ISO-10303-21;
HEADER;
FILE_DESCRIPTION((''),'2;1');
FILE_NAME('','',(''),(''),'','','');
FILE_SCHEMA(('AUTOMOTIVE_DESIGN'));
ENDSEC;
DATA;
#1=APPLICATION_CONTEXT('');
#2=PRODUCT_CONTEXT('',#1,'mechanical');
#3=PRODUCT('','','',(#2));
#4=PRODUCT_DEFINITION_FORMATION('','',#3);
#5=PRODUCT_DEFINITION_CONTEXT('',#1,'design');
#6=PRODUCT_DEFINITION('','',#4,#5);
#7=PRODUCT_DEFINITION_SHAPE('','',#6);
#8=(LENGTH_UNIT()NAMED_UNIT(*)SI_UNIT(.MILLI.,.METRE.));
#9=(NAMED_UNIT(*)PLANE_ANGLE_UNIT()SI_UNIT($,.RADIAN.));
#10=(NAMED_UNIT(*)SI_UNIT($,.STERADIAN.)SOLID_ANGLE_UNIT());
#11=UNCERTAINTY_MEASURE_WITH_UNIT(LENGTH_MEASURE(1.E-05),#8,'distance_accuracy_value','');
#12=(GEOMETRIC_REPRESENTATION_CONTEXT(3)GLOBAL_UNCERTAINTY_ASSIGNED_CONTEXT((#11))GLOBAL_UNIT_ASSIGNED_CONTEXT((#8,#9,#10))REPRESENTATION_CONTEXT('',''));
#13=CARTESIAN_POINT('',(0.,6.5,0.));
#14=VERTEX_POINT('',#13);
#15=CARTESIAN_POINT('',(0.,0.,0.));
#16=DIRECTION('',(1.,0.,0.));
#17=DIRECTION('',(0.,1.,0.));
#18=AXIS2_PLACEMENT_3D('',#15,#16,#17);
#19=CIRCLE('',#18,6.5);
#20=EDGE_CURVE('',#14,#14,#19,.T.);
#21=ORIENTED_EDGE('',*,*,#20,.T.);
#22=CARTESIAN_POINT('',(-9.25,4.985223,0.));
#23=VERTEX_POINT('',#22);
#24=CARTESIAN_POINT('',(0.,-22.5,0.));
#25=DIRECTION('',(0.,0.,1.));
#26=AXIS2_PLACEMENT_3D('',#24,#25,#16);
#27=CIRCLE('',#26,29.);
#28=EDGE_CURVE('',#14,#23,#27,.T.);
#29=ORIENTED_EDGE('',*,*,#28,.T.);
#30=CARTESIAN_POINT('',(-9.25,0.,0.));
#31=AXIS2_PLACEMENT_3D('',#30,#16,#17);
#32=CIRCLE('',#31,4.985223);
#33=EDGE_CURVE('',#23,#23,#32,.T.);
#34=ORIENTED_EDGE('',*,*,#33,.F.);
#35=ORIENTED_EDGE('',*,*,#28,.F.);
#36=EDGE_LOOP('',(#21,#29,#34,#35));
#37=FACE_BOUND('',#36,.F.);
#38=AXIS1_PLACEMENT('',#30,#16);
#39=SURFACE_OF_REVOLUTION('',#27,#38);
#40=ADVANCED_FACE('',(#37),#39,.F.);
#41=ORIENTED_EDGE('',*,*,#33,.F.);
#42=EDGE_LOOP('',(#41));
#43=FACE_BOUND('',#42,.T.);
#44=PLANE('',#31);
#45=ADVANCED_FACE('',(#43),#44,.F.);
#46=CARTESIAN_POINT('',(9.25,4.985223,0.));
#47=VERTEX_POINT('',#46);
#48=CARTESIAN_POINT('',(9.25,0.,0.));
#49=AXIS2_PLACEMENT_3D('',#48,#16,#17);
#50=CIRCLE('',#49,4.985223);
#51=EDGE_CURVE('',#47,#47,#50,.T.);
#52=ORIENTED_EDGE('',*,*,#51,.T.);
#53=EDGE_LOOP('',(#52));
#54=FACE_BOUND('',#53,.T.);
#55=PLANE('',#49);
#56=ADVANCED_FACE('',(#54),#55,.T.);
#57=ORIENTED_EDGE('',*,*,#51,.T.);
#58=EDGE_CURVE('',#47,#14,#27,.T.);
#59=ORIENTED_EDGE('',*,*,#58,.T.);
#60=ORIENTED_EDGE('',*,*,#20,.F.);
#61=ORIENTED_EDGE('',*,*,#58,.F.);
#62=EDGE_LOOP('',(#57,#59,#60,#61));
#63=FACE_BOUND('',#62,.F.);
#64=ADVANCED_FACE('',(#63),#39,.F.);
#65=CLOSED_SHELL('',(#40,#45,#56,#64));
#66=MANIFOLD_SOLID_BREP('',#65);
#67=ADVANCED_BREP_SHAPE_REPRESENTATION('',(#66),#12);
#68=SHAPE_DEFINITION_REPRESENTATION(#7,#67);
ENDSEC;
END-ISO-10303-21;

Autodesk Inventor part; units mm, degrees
ref_plane "YZ Plane" through (0, 0, 0) normal (1, 0, 0) x (0, 1, 0)
ref_plane "XZ Plane" through (0, 0, 0) normal (0, 1, 0) x (-1, 0, 0)
ref_plane "XY Plane" through (0, 0, 0) normal (0, 0, 1) x (1, 0, 0)
sketch "スケッチ1" plane through (0, 0, 0) normal (0, 0, 1) x (1, 0, 0)
  circle A0 centre (0, -22.5) radius 29
  line L0 (-9.25, 6.5) -> (9.25, 6.5)
  line L1 (9.25, 6.5) -> (9.25, -22.5)
  line L2 (9.25, -22.5) -> (-9.25, -22.5)
  line L3 (-9.25, -22.5) -> (-9.25, 6.5)
  line L4 (-9.25, 0) -> (9.25, 0)
  point P0 (9.25, 4.9852)
  point P1 (-9.25, 4.9852)
  point P2 (0, 0)
  dimension "d0" = 58
  dimension "d1" = 18.5
  dimension "d2" = 6.5
revolve "回転1" add sketch "スケッチ1" angle 360 about axis through (-9.25, 0, 0) along (1, 0, 0) contours L1 L4 L3 A0
properties part number "ballel" material "ゴム"
